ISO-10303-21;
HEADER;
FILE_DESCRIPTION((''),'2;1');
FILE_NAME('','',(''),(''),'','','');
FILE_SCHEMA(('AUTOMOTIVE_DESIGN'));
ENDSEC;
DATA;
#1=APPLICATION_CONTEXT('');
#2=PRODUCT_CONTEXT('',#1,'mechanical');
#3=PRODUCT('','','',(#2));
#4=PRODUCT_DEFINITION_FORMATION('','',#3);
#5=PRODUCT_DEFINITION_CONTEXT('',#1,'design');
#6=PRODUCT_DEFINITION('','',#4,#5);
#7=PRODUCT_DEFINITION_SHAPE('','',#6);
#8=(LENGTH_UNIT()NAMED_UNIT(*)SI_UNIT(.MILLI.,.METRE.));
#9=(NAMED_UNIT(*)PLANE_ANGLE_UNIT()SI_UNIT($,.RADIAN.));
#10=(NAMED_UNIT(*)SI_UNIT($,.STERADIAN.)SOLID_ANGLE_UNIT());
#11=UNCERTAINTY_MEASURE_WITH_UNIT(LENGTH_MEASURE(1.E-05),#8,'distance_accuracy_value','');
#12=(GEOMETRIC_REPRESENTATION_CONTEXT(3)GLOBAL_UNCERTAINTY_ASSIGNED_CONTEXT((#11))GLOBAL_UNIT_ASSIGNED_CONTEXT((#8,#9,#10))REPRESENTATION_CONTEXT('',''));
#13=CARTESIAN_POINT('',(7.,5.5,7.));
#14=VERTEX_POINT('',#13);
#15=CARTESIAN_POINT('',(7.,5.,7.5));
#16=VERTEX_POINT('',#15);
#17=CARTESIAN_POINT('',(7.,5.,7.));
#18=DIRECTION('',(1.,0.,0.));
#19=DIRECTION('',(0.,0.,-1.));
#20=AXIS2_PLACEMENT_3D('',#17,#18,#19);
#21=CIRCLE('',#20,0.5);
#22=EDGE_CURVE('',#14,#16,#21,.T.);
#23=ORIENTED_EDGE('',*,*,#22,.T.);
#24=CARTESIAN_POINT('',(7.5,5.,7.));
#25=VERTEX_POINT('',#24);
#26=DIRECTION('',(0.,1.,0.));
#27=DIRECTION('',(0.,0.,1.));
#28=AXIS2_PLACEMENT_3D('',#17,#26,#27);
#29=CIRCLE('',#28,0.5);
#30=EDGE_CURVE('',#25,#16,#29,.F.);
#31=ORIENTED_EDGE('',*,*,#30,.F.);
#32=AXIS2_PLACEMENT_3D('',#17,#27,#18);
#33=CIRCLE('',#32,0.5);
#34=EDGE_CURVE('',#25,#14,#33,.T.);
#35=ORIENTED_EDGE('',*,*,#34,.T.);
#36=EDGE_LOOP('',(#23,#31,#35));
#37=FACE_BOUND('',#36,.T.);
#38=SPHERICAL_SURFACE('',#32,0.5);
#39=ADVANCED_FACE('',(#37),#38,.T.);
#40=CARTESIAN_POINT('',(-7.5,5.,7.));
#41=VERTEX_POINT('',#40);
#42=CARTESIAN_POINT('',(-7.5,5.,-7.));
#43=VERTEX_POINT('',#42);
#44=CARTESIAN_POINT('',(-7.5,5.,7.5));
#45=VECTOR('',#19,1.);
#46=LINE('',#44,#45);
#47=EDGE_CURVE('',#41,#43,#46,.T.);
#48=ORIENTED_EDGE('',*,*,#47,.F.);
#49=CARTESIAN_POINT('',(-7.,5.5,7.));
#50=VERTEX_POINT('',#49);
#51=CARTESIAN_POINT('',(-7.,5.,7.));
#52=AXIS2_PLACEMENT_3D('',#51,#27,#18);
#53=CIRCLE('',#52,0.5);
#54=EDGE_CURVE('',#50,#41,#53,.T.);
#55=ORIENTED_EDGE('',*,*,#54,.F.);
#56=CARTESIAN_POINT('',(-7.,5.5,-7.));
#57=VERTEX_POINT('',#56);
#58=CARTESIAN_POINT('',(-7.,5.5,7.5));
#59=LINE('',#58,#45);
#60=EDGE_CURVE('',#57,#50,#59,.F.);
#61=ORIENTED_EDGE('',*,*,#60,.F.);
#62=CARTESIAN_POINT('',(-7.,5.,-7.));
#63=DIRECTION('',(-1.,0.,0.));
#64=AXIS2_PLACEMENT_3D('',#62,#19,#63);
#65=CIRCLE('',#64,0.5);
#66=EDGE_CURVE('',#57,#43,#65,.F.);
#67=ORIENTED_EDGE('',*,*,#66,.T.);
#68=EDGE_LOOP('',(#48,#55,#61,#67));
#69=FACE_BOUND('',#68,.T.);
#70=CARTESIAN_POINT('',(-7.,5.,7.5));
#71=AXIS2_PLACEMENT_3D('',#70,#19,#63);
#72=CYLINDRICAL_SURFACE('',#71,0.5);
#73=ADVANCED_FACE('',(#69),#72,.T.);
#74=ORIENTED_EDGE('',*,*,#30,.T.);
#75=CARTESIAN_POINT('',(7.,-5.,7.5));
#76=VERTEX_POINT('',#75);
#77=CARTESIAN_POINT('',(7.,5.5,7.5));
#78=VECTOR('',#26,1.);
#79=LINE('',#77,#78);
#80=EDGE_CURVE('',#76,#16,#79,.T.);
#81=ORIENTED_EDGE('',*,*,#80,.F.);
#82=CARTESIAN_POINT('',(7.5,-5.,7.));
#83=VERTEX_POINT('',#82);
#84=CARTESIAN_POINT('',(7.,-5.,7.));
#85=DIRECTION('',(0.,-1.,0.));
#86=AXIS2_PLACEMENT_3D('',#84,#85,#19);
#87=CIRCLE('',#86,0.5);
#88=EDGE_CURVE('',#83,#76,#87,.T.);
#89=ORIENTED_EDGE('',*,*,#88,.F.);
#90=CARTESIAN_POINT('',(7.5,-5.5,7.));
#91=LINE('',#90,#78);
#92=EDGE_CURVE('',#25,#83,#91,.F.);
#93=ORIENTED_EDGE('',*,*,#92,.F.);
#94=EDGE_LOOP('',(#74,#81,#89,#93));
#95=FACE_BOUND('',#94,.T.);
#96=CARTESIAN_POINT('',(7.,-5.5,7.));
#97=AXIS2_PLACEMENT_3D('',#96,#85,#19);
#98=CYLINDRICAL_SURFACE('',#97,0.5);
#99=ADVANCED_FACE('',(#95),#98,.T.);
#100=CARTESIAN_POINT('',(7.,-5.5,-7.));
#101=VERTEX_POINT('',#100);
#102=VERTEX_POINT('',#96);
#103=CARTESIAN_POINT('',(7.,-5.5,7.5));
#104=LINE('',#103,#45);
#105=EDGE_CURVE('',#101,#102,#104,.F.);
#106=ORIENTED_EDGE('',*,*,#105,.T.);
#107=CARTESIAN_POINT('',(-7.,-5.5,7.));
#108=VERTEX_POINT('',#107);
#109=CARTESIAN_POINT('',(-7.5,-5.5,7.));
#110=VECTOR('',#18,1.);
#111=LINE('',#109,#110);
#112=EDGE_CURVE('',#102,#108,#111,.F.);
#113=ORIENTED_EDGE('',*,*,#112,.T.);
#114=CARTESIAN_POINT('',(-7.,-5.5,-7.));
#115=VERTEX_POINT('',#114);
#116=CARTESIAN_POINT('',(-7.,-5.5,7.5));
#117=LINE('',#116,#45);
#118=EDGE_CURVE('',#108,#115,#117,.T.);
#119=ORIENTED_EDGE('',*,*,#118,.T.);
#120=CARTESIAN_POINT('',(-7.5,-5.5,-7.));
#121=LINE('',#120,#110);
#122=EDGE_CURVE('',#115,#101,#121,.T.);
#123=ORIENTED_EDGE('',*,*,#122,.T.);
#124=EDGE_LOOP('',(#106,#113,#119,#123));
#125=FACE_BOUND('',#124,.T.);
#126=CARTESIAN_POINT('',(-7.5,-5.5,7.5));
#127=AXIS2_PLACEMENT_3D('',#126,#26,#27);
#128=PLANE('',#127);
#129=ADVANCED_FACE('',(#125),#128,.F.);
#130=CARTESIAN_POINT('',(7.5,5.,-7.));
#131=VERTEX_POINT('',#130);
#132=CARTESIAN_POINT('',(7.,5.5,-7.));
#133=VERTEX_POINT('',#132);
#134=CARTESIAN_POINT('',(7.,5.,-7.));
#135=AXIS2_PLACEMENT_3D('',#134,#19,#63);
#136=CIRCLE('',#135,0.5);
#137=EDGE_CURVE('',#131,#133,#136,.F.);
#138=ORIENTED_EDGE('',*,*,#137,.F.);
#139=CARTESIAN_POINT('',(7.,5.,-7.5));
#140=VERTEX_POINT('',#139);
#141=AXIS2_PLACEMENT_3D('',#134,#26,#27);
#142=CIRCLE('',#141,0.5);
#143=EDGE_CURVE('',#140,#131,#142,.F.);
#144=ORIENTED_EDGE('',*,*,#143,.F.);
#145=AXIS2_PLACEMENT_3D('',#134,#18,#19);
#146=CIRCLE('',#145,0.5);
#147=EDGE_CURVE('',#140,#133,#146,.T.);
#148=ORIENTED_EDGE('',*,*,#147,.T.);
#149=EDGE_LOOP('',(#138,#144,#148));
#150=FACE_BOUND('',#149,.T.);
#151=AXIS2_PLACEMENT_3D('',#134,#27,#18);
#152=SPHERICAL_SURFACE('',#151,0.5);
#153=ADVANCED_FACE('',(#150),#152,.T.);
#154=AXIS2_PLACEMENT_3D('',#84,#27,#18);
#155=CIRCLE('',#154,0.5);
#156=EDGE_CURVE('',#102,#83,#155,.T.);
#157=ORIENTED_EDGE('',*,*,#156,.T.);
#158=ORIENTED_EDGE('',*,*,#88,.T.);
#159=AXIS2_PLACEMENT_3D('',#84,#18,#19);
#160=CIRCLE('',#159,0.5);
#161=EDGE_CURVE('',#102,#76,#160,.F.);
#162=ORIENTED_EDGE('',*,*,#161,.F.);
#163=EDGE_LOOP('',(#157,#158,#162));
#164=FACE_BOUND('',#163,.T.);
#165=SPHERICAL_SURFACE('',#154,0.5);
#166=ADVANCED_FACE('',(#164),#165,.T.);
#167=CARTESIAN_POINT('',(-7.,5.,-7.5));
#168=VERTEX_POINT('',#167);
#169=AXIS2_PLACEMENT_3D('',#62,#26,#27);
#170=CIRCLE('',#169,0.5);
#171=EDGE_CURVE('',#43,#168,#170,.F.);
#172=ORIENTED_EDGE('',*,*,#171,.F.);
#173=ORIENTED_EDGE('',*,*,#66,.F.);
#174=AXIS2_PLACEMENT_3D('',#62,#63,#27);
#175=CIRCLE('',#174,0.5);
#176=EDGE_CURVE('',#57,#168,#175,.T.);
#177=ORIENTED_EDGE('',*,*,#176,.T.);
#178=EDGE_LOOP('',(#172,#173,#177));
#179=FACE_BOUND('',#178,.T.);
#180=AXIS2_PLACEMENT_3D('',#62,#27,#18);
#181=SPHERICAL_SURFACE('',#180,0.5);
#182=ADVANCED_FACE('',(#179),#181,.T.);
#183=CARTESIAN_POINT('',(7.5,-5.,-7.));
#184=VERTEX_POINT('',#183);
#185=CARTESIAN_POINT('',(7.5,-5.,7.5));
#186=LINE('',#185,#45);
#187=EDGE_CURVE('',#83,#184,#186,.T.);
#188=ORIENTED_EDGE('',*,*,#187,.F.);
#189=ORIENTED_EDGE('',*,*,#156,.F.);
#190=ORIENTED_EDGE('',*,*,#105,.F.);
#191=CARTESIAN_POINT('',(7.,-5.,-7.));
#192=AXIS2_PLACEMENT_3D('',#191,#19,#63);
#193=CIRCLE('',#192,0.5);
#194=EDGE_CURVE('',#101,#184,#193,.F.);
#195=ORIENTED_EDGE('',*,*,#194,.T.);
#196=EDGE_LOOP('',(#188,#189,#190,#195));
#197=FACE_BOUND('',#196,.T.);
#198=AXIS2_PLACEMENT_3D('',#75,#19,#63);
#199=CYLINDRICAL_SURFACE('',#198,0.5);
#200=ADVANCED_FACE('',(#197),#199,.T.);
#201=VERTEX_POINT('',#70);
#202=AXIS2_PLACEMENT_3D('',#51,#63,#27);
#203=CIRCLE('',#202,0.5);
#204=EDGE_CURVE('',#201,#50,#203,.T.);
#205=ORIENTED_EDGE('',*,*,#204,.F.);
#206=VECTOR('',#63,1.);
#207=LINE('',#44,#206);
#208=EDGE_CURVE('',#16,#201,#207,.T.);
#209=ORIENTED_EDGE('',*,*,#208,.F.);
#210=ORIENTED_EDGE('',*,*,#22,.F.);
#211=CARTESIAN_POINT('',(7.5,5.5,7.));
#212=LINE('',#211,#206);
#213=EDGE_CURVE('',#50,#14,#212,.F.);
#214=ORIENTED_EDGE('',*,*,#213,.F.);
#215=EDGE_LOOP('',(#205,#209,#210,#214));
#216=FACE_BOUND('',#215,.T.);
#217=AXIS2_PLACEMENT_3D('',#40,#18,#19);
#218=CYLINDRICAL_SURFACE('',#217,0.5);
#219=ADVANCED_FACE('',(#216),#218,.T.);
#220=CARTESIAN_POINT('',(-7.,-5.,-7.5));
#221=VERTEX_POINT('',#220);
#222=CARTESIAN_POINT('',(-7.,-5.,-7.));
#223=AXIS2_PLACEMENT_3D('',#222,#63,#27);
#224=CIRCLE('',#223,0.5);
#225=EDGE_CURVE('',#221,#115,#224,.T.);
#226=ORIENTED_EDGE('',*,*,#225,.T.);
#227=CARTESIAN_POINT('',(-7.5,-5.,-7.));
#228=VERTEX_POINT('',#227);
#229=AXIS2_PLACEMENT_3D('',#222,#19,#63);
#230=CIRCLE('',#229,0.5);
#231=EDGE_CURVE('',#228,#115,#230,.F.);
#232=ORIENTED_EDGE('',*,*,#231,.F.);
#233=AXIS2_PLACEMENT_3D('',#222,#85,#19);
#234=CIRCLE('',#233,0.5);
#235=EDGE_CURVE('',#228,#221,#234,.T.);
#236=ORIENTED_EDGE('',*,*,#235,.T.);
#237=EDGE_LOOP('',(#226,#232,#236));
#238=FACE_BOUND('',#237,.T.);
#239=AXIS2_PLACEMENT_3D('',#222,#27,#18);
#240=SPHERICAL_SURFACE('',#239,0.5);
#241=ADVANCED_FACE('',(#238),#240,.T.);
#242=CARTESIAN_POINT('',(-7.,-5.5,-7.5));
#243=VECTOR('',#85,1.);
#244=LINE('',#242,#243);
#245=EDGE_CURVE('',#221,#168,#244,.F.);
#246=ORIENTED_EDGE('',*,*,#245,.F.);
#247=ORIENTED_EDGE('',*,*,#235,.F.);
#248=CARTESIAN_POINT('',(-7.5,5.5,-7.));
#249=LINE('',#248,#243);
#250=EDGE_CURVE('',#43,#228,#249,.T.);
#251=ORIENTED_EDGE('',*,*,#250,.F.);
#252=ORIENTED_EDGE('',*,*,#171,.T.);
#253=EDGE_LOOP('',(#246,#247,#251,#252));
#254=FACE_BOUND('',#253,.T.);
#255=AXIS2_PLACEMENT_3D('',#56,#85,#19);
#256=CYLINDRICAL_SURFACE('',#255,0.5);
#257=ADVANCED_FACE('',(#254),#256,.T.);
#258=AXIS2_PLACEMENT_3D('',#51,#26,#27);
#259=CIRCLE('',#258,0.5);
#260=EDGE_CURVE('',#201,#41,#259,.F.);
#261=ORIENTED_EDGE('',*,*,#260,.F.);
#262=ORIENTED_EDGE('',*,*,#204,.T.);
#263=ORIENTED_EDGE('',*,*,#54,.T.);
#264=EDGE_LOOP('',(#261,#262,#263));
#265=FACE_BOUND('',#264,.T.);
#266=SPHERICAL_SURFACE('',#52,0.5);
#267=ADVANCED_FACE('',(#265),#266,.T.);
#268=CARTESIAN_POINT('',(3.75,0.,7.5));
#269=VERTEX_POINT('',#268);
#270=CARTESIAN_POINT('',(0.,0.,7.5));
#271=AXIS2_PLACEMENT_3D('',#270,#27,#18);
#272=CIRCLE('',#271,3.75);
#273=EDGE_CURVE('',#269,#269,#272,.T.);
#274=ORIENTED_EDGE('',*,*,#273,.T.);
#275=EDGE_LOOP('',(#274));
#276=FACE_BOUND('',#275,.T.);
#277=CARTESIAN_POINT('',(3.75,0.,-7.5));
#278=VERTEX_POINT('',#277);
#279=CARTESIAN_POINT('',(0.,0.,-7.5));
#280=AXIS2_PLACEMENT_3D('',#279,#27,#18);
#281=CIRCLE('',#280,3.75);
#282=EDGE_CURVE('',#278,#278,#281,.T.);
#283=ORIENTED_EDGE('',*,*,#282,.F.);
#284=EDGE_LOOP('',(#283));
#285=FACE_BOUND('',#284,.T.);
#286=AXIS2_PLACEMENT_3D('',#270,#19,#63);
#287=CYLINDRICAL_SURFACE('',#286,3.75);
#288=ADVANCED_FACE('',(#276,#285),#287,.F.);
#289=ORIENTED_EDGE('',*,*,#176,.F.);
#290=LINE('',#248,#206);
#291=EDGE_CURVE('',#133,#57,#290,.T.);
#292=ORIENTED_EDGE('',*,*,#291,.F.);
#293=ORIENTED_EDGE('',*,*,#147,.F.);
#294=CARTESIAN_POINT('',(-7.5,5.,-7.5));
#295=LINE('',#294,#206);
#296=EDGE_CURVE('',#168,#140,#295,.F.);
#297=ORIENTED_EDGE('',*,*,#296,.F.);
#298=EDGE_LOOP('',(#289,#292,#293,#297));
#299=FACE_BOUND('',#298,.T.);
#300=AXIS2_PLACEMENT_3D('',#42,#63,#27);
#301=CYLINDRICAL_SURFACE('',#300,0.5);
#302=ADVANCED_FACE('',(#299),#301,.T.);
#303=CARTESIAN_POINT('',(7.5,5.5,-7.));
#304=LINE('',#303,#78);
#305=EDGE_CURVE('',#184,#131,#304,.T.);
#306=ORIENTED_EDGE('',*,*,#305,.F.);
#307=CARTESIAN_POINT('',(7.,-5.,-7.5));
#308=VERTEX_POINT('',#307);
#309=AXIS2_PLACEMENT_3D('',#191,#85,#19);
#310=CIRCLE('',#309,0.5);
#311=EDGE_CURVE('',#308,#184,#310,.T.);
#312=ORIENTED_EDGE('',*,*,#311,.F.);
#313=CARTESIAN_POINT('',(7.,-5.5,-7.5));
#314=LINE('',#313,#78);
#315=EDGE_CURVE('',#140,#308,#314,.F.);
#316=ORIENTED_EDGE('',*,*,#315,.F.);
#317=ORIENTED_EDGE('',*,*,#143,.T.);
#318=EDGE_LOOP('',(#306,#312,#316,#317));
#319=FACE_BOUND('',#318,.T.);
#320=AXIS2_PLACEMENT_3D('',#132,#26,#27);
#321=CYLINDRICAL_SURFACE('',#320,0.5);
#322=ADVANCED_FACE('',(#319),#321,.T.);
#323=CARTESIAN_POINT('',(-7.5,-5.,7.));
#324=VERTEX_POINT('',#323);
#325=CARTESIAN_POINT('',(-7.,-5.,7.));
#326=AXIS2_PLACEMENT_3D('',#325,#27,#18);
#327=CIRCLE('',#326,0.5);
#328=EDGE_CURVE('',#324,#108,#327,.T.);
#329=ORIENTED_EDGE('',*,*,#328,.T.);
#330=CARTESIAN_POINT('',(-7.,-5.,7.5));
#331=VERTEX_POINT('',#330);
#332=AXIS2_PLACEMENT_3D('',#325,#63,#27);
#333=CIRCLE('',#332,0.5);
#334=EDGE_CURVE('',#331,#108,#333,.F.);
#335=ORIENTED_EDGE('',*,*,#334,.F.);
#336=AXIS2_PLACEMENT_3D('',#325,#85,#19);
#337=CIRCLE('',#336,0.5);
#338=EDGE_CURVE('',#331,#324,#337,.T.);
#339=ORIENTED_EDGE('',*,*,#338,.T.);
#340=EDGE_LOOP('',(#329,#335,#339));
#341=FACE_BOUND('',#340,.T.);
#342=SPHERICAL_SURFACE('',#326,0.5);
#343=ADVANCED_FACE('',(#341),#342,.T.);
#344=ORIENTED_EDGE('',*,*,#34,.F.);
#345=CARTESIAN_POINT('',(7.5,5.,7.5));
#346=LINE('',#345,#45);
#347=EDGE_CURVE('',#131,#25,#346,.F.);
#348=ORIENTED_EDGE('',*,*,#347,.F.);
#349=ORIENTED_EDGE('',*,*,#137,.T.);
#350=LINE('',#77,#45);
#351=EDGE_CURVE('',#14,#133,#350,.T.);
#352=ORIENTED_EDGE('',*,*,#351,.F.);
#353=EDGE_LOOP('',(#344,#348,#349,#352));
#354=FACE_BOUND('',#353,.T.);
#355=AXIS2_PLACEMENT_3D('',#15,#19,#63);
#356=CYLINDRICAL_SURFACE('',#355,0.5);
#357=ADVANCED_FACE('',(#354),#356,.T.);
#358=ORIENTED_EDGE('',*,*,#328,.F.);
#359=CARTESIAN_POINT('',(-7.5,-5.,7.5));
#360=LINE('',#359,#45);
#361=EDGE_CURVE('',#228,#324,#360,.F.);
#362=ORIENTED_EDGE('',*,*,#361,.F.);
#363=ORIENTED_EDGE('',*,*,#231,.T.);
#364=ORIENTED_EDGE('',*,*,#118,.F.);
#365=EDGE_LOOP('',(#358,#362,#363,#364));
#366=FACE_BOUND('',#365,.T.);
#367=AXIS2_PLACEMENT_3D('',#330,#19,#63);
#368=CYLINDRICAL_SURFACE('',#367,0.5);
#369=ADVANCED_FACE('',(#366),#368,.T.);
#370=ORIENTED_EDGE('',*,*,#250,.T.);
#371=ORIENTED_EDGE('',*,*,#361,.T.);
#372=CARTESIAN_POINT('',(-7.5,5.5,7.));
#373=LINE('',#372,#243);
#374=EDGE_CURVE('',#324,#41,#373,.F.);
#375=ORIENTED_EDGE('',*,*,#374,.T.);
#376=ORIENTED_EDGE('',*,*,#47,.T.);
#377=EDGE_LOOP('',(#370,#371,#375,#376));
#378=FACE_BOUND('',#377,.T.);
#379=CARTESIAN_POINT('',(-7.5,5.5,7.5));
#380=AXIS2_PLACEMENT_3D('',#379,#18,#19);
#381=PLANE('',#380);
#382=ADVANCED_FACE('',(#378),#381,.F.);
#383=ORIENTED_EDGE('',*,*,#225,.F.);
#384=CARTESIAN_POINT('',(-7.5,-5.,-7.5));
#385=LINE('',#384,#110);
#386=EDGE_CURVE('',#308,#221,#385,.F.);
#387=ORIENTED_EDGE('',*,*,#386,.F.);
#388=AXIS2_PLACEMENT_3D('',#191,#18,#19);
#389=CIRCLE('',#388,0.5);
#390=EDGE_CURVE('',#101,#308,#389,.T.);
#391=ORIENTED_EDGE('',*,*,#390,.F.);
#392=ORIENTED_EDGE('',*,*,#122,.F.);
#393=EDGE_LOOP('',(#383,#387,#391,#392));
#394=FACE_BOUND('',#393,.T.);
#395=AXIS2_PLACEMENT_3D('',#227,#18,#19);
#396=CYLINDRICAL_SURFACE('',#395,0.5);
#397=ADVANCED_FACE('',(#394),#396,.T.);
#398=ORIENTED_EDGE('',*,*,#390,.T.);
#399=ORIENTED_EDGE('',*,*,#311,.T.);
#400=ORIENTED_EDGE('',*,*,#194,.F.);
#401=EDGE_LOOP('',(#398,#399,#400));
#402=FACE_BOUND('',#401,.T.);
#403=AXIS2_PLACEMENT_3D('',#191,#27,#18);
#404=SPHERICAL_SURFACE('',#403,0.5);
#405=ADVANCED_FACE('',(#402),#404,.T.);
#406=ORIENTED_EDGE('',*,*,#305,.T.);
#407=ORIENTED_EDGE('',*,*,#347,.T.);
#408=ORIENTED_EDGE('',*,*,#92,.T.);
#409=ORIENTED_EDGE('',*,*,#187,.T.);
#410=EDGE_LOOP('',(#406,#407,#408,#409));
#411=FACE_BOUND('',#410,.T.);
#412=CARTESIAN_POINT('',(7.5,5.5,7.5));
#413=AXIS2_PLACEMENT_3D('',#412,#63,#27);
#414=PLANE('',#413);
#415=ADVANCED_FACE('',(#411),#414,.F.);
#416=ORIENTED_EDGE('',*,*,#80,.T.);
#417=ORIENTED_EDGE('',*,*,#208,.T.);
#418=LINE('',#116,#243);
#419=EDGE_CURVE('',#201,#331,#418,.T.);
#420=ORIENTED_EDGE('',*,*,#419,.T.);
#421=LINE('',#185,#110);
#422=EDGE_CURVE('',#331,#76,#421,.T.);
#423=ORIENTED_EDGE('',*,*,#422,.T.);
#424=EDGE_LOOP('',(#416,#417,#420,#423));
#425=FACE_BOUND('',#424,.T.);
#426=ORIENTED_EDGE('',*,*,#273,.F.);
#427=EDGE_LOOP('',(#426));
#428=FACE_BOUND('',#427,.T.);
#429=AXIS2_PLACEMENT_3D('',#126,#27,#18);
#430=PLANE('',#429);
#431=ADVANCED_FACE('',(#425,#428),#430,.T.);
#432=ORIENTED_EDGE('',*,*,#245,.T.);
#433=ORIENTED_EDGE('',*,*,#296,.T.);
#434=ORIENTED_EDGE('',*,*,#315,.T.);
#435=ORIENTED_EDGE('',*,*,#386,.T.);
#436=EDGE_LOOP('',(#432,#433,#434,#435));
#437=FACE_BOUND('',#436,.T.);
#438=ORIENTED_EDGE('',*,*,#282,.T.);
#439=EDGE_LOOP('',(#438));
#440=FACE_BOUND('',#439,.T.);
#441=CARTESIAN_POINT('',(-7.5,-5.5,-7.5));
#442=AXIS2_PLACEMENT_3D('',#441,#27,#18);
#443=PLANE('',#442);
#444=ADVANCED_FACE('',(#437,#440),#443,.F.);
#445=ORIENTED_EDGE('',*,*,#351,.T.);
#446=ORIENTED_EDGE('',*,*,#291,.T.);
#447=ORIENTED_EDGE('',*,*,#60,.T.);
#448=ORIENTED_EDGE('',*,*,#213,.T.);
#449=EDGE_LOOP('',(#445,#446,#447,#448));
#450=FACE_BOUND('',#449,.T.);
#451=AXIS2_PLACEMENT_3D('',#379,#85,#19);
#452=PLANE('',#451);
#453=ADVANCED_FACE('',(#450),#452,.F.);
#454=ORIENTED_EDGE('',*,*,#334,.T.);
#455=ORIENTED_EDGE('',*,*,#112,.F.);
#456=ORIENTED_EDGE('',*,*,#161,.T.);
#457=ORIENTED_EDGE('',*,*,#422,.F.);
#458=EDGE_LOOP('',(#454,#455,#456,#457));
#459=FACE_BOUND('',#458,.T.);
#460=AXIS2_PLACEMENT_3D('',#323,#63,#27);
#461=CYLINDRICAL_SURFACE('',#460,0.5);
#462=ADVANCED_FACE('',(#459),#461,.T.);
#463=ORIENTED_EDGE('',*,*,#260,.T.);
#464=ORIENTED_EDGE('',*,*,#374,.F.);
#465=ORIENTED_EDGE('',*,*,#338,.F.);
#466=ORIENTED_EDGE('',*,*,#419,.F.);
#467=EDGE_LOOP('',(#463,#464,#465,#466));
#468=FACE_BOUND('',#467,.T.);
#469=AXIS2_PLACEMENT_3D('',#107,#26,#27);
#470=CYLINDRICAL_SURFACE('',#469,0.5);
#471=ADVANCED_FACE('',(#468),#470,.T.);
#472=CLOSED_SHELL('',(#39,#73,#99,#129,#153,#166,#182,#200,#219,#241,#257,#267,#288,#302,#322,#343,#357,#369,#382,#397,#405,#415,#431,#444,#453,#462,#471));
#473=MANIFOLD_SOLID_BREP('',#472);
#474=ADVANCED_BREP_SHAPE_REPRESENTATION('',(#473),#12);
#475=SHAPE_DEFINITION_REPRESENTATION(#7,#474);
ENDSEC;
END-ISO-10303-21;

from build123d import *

# Parameters (mm, degrees)
SKETCH1_W           = 15
SKETCH1_H           = 11
SKETCH1_R           = 3.75
BOSS_EXTRUDE1_DEPTH = 7.5
FILLET1_R           = 0.5


with BuildPart() as part:
    # Sketch1 → Boss-Extrude1 (new, symmetric)
    with BuildSketch(Plane.XY):
        Rectangle(SKETCH1_W, SKETCH1_H)
        Circle(SKETCH1_R, mode=Mode.SUBTRACT)
    extrude(amount=BOSS_EXTRUDE1_DEPTH, both=True)

    # Fillet1
    fillet1_edges = [part.edges().sort_by_distance(p)[0] for p in [
        (7.5, 0, 7.5),
        (0, 5.5, 7.5),
        (-7.5, 0, 7.5),
        (0, 5.5, -7.5),
        (7.5, 0, -7.5),
        (0, -5.5, -7.5),
        (-7.5, 0, -7.5),
        (0, -5.5, 7.5),
        (-7.5, 5.5, 0),
        (7.5, 5.5, 0),
        (7.5, -5.5, 0),
        (-7.5, -5.5, 0),
    ]]
    fillet(fillet1_edges, radius=FILLET1_R)


solid = part.part
